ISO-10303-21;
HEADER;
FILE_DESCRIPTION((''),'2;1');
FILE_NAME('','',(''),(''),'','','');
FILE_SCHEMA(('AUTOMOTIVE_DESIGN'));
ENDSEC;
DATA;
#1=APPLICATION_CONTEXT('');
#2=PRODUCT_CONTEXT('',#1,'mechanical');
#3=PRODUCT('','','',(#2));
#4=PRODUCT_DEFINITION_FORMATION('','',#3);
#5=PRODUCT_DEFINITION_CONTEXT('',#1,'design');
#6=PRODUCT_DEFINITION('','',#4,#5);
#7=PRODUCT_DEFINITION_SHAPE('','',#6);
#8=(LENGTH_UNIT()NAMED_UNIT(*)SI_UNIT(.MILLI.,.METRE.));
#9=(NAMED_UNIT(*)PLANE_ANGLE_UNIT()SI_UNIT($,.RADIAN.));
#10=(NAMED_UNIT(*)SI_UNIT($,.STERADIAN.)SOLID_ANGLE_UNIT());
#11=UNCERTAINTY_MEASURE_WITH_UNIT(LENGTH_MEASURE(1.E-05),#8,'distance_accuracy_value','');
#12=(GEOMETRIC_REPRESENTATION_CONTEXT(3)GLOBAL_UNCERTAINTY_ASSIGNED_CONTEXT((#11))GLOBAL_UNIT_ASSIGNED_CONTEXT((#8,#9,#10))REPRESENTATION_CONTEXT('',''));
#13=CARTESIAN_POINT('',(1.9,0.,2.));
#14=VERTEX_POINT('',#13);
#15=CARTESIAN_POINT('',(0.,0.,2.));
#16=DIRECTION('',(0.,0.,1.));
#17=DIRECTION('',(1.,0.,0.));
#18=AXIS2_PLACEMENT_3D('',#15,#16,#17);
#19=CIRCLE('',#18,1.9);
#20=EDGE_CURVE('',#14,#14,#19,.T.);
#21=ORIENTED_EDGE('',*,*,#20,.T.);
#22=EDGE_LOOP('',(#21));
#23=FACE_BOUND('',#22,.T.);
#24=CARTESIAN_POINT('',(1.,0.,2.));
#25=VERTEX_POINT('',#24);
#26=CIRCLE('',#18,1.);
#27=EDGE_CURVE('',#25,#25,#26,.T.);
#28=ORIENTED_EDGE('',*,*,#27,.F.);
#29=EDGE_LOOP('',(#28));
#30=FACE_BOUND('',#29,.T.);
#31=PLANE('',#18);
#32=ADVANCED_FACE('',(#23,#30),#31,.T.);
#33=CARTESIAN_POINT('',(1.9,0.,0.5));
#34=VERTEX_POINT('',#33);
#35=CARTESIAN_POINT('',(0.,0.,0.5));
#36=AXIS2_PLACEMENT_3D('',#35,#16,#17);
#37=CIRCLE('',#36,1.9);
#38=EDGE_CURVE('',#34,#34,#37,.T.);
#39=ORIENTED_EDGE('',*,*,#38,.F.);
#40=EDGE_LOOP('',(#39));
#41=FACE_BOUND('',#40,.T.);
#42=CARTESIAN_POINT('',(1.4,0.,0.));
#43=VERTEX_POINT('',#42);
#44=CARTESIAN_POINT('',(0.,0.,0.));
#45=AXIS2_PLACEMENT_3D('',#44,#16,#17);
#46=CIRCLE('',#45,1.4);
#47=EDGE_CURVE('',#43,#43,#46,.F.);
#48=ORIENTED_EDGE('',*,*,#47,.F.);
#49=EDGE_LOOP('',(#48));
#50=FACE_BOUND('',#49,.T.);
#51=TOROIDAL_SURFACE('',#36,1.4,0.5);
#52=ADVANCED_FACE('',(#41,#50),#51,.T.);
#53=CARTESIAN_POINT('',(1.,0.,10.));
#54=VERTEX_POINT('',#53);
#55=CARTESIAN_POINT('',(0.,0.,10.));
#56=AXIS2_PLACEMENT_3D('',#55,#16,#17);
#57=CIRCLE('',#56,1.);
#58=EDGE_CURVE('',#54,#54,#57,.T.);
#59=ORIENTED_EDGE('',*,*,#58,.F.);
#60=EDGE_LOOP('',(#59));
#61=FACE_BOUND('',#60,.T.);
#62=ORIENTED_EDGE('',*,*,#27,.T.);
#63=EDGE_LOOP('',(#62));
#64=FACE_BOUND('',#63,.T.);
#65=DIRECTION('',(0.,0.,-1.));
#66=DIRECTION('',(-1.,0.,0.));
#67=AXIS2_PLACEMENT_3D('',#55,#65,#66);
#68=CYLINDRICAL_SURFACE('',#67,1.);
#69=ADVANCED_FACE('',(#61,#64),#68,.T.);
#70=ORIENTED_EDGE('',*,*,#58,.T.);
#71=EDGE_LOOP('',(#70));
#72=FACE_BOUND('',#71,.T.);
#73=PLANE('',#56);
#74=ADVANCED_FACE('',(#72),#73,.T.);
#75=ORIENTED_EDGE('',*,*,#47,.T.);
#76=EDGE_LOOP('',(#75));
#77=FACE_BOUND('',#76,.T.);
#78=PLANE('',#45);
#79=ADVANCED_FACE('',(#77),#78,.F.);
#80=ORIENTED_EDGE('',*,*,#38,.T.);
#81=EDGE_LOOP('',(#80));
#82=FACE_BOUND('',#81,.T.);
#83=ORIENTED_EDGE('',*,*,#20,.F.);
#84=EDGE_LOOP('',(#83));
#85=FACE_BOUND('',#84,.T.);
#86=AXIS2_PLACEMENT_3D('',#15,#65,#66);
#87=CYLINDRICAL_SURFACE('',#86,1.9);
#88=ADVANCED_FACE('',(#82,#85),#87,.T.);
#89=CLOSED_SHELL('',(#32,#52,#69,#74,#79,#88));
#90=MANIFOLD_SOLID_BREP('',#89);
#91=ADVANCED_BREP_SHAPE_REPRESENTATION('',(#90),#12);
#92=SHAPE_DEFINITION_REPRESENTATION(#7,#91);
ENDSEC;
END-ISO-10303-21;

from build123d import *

# Parameters (mm, degrees)
SKETCH_2_R      = 1.9
EXTRUDE_1_DEPTH = 2
SKETCH_3_R      = 1
EXTRUDE_2_DEPTH = 8
FILLET_1_R      = 0.5


with BuildPart() as part:
    # ｽｹｯﾁ2 → ﾎﾞｽ - 押し出し1 (new body)
    with BuildSketch(Plane.XY):
        Circle(SKETCH_2_R)
    extrude(amount=EXTRUDE_1_DEPTH)

    # ｽｹｯﾁ3 → ﾎﾞｽ - 押し出し2 (add)
    with BuildSketch(Plane.XY.offset(2)):
        Circle(SKETCH_3_R)
    extrude(amount=EXTRUDE_2_DEPTH)

    # ﾌｨﾚｯﾄ1
    fillet_1_edges = [part.edges().sort_by_distance(p)[0] for p in [
        (-1.9, 0, 0),
    ]]
    fillet(fillet_1_edges, radius=FILLET_1_R)


solid = part.part
